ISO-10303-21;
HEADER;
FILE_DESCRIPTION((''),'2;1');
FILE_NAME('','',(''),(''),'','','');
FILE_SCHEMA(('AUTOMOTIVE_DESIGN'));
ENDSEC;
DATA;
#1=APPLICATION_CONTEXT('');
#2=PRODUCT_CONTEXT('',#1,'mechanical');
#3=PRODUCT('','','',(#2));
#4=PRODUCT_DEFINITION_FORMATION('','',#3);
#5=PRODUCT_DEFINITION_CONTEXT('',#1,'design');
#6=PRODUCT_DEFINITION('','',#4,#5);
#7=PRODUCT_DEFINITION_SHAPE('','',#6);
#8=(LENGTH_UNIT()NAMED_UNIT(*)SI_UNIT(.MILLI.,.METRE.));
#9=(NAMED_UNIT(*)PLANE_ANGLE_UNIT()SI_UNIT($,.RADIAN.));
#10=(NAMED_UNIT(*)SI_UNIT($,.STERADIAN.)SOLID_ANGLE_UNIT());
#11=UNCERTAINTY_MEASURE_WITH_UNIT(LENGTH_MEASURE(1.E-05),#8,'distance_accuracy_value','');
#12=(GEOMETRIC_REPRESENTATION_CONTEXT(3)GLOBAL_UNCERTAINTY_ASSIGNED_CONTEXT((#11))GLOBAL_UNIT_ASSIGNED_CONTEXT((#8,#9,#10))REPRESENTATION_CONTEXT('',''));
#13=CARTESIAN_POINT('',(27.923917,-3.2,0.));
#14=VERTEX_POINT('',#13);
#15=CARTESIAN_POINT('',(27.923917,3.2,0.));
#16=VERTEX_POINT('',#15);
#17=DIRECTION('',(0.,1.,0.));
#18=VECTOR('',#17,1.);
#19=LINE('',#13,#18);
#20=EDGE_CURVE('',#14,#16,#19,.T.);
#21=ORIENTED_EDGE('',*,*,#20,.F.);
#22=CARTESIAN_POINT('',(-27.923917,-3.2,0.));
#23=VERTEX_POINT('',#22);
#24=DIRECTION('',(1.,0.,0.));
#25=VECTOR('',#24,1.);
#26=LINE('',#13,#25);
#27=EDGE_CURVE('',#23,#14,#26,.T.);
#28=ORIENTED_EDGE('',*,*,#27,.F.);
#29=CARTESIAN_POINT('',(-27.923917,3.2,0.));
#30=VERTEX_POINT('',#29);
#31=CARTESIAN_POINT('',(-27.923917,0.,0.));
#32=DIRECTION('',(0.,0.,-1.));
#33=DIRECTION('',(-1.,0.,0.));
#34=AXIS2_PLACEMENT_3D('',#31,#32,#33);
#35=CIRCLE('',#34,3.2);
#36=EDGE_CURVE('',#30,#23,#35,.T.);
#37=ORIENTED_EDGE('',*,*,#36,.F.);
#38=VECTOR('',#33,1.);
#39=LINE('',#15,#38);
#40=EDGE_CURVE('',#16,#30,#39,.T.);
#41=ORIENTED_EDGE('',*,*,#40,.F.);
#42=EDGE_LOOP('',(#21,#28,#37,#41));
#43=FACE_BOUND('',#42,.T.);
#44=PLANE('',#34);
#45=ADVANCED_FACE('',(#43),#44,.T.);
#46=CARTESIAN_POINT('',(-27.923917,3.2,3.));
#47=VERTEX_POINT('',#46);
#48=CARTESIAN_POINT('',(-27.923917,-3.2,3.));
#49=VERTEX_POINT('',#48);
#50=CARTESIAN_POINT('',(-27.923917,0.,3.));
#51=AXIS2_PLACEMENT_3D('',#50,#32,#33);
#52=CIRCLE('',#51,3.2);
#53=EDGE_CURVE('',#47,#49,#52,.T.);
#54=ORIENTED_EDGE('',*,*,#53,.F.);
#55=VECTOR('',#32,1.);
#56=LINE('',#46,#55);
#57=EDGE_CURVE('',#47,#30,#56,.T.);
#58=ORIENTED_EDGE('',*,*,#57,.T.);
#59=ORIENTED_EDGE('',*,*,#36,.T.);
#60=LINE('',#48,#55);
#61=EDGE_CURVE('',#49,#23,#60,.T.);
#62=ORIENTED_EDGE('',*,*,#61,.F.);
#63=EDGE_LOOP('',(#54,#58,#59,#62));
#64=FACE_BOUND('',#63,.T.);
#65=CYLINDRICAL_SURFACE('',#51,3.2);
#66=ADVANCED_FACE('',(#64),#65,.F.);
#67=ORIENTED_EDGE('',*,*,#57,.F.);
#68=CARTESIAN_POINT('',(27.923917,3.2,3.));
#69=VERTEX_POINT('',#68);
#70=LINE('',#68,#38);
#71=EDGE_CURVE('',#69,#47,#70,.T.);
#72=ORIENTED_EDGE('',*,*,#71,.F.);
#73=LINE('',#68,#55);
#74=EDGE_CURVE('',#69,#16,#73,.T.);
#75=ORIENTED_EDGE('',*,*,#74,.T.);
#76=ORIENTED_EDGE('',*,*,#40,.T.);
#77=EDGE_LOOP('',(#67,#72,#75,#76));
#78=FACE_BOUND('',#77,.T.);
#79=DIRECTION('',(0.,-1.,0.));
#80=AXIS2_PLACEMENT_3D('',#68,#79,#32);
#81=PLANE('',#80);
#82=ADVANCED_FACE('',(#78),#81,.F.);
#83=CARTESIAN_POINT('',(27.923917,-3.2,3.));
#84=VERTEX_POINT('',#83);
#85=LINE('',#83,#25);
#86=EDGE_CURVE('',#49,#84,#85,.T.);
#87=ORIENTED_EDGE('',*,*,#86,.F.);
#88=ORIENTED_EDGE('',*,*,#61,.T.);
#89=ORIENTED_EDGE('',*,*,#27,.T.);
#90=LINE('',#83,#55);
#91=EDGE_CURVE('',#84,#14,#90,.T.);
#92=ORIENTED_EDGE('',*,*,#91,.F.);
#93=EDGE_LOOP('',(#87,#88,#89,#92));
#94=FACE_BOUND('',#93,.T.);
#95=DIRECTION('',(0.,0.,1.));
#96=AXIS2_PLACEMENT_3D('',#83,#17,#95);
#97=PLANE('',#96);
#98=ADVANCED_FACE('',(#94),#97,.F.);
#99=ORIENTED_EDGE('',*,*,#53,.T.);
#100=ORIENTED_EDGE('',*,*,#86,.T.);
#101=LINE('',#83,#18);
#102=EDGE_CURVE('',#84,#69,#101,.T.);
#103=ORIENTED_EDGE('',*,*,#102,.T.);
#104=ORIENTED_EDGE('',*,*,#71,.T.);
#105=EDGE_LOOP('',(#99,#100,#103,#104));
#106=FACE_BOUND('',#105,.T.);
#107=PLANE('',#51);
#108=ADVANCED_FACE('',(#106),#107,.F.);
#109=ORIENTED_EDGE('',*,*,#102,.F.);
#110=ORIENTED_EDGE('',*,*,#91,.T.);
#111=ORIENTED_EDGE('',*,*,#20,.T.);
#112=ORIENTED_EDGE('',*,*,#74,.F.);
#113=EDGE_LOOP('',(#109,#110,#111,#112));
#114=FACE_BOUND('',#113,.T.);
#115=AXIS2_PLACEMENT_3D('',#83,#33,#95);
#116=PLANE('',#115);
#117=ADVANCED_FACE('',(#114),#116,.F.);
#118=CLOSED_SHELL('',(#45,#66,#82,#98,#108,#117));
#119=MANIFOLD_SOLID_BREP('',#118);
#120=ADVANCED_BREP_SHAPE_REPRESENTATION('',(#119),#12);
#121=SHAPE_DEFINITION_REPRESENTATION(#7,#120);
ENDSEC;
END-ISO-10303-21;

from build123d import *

# Parameters (mm, degrees)
BOSS_EXTRUDE1_DEPTH = 3


with BuildPart() as part:
    # Sketch1 → Boss-Extrude1 (new body)
    with BuildSketch(Plane.XY):
        with BuildLine():
            Line((27.923916792, -3.2), (-27.923916792, -3.2))
            ThreePointArc((-27.923916792, -3.2), (-24.723916792, 0), (-27.923916792, 3.2))
            Line((-27.923916792, 3.2), (27.923916792, 3.2))
            Line((27.923916792, 3.2), (27.923916792, -3.2))
        make_face()
    extrude(amount=BOSS_EXTRUDE1_DEPTH)


solid = part.part
